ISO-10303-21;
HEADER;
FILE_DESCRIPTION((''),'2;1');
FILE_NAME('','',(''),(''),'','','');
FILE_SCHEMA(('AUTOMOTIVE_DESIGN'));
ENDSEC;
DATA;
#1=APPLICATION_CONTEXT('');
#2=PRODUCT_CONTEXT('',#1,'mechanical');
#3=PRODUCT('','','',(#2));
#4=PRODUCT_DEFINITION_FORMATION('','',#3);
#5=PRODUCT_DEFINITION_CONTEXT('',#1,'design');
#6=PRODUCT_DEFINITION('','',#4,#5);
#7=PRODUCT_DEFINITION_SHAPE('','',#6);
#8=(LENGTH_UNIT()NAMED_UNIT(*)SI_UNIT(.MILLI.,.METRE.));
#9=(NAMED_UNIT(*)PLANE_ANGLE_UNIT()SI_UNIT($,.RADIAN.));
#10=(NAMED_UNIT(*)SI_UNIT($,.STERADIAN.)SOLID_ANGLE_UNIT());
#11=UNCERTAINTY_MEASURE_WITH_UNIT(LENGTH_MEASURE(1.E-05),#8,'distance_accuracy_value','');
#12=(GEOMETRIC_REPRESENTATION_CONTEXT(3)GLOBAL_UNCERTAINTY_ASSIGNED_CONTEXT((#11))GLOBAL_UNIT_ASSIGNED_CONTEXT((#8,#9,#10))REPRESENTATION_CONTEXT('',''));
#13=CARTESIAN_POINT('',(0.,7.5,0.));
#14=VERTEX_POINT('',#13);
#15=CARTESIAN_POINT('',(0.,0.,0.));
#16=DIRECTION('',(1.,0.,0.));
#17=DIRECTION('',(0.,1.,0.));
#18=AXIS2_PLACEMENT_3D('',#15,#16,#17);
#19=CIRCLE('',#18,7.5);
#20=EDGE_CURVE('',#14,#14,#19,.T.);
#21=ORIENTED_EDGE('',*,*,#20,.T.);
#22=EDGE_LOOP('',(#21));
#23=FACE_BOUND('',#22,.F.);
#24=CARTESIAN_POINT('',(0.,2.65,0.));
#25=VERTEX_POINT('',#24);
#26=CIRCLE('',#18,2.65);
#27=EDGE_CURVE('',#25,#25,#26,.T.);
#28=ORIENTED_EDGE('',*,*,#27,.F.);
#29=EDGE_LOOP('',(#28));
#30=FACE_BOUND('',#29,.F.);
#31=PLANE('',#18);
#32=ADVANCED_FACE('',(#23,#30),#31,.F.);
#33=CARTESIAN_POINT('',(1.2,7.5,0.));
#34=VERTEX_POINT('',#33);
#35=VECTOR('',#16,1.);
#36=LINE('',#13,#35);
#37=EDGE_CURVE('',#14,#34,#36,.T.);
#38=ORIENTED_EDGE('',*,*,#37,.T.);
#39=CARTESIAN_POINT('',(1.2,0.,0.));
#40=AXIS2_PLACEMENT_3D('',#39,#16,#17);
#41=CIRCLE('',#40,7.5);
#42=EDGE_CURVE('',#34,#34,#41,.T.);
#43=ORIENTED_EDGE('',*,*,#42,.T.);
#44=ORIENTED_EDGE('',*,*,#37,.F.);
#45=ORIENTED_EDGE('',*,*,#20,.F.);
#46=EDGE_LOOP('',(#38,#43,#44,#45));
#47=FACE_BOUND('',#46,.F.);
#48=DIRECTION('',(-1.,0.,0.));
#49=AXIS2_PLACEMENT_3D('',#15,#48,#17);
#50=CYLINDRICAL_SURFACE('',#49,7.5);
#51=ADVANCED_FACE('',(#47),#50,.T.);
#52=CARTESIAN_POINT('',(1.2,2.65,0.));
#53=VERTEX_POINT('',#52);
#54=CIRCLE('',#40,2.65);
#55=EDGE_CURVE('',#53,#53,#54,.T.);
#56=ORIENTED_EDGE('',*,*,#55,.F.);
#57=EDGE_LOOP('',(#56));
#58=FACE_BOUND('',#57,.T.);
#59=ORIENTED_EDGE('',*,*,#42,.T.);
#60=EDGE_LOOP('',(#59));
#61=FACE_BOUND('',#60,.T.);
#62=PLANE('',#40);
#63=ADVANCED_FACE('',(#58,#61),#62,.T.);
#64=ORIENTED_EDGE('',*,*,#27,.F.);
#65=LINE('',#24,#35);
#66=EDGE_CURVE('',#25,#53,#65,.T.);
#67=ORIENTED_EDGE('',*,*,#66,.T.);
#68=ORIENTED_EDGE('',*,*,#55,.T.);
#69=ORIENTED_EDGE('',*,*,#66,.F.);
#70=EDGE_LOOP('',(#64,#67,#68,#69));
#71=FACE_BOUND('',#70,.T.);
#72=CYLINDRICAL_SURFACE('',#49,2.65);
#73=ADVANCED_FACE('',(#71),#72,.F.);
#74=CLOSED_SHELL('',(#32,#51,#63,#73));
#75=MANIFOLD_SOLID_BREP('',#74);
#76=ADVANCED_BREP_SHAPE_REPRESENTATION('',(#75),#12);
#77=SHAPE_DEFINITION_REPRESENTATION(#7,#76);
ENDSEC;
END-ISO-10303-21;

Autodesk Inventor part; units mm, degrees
ref_plane "YZ Plane" through (0, 0, 0) normal (1, 0, 0) x (0, 1, 0)
ref_plane "XZ Plane" through (0, 0, 0) normal (0, 1, 0) x (-1, 0, 0)
sketch "Skizze" plane through (0, 0, 0) normal (1, 0, 0) x (0, 1, 0)
  circle A0 centre (0, 0) radius 7.5
  circle A1 centre (0, 0) radius 2.65
  dimension "d0" = 5.3
  dimension "d1" = 15
extrude "Körper" add sketch "Skizze" along normal blind 1.2
ref_plane "Work Plane1" through (0, 0, 0) normal (0, 0, 1) x (1, 0, 0)
equation "\"d0\" = SD1"
equation "\"d1\" = SD2"
equation "\"d2\" = SD"
equation "\"SD1\" = 5.3"
equation "\"SD2\" = 15"
equation "\"SD\" = 1.2"
equation "\"NND\" = 5"
properties part number "DIN 9021 - 5,3" material "Stahl, weich"
